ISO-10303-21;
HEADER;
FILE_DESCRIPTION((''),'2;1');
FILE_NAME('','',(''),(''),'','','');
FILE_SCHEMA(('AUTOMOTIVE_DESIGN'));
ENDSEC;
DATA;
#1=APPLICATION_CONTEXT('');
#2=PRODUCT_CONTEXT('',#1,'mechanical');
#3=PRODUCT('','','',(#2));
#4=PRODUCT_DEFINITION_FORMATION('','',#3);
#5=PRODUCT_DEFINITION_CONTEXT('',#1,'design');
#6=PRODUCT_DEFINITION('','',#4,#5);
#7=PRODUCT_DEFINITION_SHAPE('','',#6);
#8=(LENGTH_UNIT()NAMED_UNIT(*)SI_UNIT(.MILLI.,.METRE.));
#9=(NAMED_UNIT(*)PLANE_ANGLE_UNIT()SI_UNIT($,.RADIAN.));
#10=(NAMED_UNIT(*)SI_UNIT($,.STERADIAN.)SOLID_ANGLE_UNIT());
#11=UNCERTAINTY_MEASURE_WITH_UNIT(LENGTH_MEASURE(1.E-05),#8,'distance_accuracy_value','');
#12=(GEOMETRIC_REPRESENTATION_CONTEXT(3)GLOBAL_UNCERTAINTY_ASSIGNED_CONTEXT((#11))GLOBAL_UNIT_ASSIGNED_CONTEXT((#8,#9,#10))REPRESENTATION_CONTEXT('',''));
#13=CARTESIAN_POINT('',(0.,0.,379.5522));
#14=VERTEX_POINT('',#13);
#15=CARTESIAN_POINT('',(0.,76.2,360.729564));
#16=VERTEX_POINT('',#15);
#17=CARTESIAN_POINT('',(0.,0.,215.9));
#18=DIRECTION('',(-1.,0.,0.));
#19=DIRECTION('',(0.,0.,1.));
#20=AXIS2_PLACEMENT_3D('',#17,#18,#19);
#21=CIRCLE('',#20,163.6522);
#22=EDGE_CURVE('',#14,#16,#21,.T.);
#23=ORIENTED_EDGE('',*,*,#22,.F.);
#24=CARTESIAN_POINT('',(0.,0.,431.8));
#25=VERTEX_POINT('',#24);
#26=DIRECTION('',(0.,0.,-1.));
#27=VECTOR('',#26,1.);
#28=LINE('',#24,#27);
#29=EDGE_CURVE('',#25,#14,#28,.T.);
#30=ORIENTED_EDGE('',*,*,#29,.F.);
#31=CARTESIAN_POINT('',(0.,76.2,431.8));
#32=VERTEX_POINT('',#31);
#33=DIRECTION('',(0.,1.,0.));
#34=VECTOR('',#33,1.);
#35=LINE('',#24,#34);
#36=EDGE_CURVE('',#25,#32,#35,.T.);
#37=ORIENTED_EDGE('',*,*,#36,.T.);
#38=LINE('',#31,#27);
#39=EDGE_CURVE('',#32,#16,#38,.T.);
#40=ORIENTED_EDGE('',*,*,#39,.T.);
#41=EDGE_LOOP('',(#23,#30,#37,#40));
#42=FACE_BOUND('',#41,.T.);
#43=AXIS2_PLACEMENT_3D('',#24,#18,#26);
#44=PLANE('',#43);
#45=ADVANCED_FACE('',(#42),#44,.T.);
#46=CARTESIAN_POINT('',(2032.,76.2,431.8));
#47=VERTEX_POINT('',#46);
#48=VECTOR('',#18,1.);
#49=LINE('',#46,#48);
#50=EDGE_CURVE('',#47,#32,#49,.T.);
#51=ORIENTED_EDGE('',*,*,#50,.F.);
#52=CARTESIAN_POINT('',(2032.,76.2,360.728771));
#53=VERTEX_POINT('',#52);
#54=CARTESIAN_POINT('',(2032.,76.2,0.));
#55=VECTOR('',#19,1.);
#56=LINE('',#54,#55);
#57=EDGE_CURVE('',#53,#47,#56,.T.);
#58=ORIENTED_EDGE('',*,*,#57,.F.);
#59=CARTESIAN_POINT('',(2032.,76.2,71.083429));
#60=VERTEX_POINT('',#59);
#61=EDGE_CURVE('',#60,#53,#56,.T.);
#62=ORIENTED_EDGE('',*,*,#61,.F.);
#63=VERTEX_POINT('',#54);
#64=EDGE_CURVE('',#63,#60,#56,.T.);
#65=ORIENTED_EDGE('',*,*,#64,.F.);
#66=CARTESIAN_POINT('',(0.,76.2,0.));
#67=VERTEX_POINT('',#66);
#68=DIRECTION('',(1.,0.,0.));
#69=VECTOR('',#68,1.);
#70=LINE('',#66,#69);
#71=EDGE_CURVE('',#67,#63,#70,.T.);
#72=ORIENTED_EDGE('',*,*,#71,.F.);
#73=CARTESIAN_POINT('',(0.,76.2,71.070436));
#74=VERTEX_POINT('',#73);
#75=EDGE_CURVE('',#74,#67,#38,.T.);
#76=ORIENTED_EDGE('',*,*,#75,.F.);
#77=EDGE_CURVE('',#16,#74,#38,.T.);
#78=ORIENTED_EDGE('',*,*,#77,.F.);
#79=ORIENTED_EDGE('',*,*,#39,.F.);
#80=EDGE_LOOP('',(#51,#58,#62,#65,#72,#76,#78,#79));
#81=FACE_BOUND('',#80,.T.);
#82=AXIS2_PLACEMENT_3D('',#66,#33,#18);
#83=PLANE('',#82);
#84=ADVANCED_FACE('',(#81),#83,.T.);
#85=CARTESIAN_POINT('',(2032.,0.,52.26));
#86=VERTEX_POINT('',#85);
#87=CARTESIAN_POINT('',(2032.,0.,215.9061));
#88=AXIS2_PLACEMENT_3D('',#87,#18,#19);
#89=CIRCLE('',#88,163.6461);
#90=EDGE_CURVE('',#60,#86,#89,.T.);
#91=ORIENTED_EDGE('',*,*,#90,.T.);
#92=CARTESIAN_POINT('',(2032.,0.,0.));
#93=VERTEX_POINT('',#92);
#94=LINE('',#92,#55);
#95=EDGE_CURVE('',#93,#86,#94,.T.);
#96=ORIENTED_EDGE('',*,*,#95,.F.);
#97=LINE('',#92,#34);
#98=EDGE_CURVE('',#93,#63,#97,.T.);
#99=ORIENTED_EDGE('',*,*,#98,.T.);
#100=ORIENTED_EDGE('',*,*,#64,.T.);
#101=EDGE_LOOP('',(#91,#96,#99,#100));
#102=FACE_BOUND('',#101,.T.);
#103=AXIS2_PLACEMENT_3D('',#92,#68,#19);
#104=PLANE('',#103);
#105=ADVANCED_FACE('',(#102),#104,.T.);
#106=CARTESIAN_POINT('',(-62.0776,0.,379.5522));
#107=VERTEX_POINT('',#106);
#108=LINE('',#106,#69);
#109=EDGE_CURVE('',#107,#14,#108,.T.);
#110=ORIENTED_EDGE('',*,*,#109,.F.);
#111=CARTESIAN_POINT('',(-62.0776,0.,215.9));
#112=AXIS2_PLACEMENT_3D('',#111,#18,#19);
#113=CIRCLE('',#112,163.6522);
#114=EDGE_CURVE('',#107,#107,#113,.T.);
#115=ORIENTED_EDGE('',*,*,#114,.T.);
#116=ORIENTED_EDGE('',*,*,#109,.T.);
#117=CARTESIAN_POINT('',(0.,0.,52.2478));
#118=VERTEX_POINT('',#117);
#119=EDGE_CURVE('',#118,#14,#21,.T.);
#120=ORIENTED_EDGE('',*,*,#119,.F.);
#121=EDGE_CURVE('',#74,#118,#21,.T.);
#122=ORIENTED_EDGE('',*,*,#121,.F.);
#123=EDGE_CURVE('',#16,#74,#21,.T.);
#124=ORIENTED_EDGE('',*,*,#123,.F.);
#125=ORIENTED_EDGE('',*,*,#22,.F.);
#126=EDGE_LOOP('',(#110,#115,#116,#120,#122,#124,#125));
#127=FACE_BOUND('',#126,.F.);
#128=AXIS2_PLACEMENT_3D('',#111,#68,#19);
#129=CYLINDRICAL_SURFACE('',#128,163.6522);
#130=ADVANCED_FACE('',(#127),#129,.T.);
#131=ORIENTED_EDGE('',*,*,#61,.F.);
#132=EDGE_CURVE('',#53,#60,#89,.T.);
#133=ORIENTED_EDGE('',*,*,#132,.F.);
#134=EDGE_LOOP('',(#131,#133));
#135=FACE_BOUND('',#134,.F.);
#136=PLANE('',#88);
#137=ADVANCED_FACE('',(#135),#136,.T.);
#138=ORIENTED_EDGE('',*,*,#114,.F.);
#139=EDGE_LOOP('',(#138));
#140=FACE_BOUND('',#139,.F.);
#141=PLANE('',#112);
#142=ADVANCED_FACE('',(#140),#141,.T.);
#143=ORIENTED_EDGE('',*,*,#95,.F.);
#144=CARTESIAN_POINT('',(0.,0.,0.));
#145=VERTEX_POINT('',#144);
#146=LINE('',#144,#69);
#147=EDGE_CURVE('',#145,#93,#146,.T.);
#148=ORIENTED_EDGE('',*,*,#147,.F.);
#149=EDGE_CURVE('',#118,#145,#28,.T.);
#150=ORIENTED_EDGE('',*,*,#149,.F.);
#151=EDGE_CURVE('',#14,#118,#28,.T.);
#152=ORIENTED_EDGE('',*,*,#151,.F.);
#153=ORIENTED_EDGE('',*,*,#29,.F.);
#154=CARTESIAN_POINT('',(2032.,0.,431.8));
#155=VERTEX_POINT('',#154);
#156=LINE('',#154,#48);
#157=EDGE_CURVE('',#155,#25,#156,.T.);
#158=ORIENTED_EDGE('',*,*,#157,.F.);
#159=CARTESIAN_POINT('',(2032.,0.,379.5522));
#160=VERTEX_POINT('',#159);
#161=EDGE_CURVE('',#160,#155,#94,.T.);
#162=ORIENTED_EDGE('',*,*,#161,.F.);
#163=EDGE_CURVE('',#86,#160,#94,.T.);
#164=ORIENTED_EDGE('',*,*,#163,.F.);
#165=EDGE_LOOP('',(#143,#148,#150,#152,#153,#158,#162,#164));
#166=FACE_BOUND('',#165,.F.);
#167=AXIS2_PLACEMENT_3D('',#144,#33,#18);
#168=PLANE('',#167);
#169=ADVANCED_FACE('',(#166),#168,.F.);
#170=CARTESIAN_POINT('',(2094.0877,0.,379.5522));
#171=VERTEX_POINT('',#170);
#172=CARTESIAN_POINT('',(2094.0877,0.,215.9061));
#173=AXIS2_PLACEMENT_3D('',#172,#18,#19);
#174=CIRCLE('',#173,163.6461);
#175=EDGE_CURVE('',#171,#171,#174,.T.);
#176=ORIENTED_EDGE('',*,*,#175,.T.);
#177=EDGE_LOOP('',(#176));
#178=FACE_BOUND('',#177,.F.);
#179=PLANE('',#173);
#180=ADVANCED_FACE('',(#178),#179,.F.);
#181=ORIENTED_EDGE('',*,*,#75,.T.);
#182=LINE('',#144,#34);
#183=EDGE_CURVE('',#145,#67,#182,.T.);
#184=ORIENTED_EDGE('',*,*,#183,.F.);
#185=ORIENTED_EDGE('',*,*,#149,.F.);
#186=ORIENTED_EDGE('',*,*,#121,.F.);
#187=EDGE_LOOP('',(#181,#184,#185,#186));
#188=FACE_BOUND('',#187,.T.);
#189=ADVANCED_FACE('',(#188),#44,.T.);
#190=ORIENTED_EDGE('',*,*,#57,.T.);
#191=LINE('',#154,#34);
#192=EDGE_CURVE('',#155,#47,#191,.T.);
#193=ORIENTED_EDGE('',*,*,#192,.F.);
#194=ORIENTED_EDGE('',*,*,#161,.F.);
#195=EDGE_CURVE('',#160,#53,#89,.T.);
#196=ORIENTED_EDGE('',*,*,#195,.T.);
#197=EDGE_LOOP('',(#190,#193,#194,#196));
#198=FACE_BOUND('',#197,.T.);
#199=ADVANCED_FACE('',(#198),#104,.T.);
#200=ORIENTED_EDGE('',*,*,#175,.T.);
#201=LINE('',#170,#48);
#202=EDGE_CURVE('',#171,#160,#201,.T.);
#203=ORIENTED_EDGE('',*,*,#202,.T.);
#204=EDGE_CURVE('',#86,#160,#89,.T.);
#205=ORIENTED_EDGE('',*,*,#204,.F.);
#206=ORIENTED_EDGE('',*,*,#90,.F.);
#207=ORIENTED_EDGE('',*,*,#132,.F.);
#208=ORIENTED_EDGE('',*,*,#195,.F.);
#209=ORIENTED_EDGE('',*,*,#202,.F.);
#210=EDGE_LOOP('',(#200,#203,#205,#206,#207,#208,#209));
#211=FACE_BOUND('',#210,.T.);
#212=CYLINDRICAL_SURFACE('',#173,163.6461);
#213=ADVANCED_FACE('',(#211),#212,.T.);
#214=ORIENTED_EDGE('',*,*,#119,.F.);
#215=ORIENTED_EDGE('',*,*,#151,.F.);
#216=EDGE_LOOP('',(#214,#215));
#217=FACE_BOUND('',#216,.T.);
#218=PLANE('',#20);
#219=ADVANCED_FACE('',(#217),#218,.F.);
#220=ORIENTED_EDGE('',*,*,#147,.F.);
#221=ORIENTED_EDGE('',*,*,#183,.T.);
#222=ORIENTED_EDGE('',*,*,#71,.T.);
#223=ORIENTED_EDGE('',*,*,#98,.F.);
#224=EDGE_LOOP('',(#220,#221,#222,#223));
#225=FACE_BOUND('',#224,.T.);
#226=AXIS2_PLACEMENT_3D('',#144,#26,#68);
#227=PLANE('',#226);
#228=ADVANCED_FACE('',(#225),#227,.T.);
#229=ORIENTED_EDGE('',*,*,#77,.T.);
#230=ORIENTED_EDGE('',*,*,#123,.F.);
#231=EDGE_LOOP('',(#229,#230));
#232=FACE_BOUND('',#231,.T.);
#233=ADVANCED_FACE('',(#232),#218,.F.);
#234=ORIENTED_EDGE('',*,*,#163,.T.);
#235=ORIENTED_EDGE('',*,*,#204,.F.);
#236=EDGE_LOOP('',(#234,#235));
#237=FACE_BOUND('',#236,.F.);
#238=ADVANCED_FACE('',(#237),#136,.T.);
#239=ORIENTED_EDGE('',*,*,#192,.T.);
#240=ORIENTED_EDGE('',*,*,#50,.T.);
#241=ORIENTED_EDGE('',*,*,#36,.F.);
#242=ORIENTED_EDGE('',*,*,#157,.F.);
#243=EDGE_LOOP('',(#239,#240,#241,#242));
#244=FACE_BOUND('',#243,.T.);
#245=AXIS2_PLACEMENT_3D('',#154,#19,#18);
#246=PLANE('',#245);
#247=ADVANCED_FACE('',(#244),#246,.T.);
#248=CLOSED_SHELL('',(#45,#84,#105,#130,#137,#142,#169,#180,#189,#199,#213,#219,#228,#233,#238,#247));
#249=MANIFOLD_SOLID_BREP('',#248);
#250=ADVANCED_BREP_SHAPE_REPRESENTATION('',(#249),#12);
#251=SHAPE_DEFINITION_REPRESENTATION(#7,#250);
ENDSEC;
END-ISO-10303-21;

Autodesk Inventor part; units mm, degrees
ref_plane "YZ Plane" through (0, 0, 0) normal (1, 0, 0) x (0, 1, 0)
ref_plane "XZ Plane" through (0, 0, 0) normal (0, 1, 0) x (-1, 0, 0)
ref_plane "XY Plane" through (0, 0, 0) normal (0, 0, 1) x (1, 0, 0)
sketch "Sketch1" plane through (0, 0, 0) normal (0, 1, 0) x (-1, 0, 0)
  line L0 (0, 0) -> (-2032, 0)
  line L1 (-2032, 0) -> (-2032, 431.8)
  line L2 (-2032, 431.8) -> (0, 431.8)
  line L3 (0, 431.8) -> (0, 0)
  dimension "d0" = 2032
  dimension "d1" = 431.8
extrude "Extrusion1" add sketch "Sketch1" along normal blind 76.2
sketch "Sketch2" plane through (0, 0, 0) normal (0, -1, 0) x (1, 0, 0)
  line L0 (2094.0877, 379.5522) -> (2032, 379.5522)
  line L1 (2032, 0) -> (0, 0) projected
  line L2 (0, 431.8) -> (2032, 431.8) projected
  line L3 (-62.0877, 379.5522) -> (0, 379.5522)
  line L4 (2094.0877, 215.9061) -> (2032, 215.9061)
  line L5 (0, 215.9) -> (-62.0877, 215.9061)
  line L6 (2094.0877, 379.5522) -> (2094.0877, 215.9061)
  line L7 (2032, 215.9061) -> (2032, 379.5522)
  line L8 (2032, 431.8) -> (2032, 0) projected
  line L9 (0, 215.9) -> (0, 379.5522)
  line L10 (0, 0) -> (0, 431.8) projected
  line L11 (-62.0877, 215.9061) -> (-62.0877, 379.5522)
  point P0 (2063.0438, 379.5522)
revolve "Revolution1" add sketch "Sketch2" angle 360 about axis through (2094.0877, 0, 215.9061) along (-1, 0, 0) contours L6 L4 L7 L0
sketch "Sketch3" plane through (0, 0, 0) normal (0, -1, 0) x (1, 0, 0)
  line L0 (0, 215.9) -> (-62.0776, 215.9)
  line L1 (0, 431.8) -> (2032, 431.8) projected
  line L2 (0, 431.8) -> (0, 379.5522)
  line L3 (0, 215.9) -> (0, 379.5522)
  line L4 (-62.0776, 215.9) -> (-62.0776, 379.5522)
  line L5 (-62.0776, 379.5522) -> (0, 379.5522)
  point P0 (-31.0388, 431.8)
  dimension "d7" = 62.0776
  dimension "d10" = 215.9
revolve "Revolution2" add sketch "Sketch3" angle 360 about axis through (0, 0, 215.9) along (-1, 0, 0)
properties part number "Solor Cleaner - Solor Panal Bace"
